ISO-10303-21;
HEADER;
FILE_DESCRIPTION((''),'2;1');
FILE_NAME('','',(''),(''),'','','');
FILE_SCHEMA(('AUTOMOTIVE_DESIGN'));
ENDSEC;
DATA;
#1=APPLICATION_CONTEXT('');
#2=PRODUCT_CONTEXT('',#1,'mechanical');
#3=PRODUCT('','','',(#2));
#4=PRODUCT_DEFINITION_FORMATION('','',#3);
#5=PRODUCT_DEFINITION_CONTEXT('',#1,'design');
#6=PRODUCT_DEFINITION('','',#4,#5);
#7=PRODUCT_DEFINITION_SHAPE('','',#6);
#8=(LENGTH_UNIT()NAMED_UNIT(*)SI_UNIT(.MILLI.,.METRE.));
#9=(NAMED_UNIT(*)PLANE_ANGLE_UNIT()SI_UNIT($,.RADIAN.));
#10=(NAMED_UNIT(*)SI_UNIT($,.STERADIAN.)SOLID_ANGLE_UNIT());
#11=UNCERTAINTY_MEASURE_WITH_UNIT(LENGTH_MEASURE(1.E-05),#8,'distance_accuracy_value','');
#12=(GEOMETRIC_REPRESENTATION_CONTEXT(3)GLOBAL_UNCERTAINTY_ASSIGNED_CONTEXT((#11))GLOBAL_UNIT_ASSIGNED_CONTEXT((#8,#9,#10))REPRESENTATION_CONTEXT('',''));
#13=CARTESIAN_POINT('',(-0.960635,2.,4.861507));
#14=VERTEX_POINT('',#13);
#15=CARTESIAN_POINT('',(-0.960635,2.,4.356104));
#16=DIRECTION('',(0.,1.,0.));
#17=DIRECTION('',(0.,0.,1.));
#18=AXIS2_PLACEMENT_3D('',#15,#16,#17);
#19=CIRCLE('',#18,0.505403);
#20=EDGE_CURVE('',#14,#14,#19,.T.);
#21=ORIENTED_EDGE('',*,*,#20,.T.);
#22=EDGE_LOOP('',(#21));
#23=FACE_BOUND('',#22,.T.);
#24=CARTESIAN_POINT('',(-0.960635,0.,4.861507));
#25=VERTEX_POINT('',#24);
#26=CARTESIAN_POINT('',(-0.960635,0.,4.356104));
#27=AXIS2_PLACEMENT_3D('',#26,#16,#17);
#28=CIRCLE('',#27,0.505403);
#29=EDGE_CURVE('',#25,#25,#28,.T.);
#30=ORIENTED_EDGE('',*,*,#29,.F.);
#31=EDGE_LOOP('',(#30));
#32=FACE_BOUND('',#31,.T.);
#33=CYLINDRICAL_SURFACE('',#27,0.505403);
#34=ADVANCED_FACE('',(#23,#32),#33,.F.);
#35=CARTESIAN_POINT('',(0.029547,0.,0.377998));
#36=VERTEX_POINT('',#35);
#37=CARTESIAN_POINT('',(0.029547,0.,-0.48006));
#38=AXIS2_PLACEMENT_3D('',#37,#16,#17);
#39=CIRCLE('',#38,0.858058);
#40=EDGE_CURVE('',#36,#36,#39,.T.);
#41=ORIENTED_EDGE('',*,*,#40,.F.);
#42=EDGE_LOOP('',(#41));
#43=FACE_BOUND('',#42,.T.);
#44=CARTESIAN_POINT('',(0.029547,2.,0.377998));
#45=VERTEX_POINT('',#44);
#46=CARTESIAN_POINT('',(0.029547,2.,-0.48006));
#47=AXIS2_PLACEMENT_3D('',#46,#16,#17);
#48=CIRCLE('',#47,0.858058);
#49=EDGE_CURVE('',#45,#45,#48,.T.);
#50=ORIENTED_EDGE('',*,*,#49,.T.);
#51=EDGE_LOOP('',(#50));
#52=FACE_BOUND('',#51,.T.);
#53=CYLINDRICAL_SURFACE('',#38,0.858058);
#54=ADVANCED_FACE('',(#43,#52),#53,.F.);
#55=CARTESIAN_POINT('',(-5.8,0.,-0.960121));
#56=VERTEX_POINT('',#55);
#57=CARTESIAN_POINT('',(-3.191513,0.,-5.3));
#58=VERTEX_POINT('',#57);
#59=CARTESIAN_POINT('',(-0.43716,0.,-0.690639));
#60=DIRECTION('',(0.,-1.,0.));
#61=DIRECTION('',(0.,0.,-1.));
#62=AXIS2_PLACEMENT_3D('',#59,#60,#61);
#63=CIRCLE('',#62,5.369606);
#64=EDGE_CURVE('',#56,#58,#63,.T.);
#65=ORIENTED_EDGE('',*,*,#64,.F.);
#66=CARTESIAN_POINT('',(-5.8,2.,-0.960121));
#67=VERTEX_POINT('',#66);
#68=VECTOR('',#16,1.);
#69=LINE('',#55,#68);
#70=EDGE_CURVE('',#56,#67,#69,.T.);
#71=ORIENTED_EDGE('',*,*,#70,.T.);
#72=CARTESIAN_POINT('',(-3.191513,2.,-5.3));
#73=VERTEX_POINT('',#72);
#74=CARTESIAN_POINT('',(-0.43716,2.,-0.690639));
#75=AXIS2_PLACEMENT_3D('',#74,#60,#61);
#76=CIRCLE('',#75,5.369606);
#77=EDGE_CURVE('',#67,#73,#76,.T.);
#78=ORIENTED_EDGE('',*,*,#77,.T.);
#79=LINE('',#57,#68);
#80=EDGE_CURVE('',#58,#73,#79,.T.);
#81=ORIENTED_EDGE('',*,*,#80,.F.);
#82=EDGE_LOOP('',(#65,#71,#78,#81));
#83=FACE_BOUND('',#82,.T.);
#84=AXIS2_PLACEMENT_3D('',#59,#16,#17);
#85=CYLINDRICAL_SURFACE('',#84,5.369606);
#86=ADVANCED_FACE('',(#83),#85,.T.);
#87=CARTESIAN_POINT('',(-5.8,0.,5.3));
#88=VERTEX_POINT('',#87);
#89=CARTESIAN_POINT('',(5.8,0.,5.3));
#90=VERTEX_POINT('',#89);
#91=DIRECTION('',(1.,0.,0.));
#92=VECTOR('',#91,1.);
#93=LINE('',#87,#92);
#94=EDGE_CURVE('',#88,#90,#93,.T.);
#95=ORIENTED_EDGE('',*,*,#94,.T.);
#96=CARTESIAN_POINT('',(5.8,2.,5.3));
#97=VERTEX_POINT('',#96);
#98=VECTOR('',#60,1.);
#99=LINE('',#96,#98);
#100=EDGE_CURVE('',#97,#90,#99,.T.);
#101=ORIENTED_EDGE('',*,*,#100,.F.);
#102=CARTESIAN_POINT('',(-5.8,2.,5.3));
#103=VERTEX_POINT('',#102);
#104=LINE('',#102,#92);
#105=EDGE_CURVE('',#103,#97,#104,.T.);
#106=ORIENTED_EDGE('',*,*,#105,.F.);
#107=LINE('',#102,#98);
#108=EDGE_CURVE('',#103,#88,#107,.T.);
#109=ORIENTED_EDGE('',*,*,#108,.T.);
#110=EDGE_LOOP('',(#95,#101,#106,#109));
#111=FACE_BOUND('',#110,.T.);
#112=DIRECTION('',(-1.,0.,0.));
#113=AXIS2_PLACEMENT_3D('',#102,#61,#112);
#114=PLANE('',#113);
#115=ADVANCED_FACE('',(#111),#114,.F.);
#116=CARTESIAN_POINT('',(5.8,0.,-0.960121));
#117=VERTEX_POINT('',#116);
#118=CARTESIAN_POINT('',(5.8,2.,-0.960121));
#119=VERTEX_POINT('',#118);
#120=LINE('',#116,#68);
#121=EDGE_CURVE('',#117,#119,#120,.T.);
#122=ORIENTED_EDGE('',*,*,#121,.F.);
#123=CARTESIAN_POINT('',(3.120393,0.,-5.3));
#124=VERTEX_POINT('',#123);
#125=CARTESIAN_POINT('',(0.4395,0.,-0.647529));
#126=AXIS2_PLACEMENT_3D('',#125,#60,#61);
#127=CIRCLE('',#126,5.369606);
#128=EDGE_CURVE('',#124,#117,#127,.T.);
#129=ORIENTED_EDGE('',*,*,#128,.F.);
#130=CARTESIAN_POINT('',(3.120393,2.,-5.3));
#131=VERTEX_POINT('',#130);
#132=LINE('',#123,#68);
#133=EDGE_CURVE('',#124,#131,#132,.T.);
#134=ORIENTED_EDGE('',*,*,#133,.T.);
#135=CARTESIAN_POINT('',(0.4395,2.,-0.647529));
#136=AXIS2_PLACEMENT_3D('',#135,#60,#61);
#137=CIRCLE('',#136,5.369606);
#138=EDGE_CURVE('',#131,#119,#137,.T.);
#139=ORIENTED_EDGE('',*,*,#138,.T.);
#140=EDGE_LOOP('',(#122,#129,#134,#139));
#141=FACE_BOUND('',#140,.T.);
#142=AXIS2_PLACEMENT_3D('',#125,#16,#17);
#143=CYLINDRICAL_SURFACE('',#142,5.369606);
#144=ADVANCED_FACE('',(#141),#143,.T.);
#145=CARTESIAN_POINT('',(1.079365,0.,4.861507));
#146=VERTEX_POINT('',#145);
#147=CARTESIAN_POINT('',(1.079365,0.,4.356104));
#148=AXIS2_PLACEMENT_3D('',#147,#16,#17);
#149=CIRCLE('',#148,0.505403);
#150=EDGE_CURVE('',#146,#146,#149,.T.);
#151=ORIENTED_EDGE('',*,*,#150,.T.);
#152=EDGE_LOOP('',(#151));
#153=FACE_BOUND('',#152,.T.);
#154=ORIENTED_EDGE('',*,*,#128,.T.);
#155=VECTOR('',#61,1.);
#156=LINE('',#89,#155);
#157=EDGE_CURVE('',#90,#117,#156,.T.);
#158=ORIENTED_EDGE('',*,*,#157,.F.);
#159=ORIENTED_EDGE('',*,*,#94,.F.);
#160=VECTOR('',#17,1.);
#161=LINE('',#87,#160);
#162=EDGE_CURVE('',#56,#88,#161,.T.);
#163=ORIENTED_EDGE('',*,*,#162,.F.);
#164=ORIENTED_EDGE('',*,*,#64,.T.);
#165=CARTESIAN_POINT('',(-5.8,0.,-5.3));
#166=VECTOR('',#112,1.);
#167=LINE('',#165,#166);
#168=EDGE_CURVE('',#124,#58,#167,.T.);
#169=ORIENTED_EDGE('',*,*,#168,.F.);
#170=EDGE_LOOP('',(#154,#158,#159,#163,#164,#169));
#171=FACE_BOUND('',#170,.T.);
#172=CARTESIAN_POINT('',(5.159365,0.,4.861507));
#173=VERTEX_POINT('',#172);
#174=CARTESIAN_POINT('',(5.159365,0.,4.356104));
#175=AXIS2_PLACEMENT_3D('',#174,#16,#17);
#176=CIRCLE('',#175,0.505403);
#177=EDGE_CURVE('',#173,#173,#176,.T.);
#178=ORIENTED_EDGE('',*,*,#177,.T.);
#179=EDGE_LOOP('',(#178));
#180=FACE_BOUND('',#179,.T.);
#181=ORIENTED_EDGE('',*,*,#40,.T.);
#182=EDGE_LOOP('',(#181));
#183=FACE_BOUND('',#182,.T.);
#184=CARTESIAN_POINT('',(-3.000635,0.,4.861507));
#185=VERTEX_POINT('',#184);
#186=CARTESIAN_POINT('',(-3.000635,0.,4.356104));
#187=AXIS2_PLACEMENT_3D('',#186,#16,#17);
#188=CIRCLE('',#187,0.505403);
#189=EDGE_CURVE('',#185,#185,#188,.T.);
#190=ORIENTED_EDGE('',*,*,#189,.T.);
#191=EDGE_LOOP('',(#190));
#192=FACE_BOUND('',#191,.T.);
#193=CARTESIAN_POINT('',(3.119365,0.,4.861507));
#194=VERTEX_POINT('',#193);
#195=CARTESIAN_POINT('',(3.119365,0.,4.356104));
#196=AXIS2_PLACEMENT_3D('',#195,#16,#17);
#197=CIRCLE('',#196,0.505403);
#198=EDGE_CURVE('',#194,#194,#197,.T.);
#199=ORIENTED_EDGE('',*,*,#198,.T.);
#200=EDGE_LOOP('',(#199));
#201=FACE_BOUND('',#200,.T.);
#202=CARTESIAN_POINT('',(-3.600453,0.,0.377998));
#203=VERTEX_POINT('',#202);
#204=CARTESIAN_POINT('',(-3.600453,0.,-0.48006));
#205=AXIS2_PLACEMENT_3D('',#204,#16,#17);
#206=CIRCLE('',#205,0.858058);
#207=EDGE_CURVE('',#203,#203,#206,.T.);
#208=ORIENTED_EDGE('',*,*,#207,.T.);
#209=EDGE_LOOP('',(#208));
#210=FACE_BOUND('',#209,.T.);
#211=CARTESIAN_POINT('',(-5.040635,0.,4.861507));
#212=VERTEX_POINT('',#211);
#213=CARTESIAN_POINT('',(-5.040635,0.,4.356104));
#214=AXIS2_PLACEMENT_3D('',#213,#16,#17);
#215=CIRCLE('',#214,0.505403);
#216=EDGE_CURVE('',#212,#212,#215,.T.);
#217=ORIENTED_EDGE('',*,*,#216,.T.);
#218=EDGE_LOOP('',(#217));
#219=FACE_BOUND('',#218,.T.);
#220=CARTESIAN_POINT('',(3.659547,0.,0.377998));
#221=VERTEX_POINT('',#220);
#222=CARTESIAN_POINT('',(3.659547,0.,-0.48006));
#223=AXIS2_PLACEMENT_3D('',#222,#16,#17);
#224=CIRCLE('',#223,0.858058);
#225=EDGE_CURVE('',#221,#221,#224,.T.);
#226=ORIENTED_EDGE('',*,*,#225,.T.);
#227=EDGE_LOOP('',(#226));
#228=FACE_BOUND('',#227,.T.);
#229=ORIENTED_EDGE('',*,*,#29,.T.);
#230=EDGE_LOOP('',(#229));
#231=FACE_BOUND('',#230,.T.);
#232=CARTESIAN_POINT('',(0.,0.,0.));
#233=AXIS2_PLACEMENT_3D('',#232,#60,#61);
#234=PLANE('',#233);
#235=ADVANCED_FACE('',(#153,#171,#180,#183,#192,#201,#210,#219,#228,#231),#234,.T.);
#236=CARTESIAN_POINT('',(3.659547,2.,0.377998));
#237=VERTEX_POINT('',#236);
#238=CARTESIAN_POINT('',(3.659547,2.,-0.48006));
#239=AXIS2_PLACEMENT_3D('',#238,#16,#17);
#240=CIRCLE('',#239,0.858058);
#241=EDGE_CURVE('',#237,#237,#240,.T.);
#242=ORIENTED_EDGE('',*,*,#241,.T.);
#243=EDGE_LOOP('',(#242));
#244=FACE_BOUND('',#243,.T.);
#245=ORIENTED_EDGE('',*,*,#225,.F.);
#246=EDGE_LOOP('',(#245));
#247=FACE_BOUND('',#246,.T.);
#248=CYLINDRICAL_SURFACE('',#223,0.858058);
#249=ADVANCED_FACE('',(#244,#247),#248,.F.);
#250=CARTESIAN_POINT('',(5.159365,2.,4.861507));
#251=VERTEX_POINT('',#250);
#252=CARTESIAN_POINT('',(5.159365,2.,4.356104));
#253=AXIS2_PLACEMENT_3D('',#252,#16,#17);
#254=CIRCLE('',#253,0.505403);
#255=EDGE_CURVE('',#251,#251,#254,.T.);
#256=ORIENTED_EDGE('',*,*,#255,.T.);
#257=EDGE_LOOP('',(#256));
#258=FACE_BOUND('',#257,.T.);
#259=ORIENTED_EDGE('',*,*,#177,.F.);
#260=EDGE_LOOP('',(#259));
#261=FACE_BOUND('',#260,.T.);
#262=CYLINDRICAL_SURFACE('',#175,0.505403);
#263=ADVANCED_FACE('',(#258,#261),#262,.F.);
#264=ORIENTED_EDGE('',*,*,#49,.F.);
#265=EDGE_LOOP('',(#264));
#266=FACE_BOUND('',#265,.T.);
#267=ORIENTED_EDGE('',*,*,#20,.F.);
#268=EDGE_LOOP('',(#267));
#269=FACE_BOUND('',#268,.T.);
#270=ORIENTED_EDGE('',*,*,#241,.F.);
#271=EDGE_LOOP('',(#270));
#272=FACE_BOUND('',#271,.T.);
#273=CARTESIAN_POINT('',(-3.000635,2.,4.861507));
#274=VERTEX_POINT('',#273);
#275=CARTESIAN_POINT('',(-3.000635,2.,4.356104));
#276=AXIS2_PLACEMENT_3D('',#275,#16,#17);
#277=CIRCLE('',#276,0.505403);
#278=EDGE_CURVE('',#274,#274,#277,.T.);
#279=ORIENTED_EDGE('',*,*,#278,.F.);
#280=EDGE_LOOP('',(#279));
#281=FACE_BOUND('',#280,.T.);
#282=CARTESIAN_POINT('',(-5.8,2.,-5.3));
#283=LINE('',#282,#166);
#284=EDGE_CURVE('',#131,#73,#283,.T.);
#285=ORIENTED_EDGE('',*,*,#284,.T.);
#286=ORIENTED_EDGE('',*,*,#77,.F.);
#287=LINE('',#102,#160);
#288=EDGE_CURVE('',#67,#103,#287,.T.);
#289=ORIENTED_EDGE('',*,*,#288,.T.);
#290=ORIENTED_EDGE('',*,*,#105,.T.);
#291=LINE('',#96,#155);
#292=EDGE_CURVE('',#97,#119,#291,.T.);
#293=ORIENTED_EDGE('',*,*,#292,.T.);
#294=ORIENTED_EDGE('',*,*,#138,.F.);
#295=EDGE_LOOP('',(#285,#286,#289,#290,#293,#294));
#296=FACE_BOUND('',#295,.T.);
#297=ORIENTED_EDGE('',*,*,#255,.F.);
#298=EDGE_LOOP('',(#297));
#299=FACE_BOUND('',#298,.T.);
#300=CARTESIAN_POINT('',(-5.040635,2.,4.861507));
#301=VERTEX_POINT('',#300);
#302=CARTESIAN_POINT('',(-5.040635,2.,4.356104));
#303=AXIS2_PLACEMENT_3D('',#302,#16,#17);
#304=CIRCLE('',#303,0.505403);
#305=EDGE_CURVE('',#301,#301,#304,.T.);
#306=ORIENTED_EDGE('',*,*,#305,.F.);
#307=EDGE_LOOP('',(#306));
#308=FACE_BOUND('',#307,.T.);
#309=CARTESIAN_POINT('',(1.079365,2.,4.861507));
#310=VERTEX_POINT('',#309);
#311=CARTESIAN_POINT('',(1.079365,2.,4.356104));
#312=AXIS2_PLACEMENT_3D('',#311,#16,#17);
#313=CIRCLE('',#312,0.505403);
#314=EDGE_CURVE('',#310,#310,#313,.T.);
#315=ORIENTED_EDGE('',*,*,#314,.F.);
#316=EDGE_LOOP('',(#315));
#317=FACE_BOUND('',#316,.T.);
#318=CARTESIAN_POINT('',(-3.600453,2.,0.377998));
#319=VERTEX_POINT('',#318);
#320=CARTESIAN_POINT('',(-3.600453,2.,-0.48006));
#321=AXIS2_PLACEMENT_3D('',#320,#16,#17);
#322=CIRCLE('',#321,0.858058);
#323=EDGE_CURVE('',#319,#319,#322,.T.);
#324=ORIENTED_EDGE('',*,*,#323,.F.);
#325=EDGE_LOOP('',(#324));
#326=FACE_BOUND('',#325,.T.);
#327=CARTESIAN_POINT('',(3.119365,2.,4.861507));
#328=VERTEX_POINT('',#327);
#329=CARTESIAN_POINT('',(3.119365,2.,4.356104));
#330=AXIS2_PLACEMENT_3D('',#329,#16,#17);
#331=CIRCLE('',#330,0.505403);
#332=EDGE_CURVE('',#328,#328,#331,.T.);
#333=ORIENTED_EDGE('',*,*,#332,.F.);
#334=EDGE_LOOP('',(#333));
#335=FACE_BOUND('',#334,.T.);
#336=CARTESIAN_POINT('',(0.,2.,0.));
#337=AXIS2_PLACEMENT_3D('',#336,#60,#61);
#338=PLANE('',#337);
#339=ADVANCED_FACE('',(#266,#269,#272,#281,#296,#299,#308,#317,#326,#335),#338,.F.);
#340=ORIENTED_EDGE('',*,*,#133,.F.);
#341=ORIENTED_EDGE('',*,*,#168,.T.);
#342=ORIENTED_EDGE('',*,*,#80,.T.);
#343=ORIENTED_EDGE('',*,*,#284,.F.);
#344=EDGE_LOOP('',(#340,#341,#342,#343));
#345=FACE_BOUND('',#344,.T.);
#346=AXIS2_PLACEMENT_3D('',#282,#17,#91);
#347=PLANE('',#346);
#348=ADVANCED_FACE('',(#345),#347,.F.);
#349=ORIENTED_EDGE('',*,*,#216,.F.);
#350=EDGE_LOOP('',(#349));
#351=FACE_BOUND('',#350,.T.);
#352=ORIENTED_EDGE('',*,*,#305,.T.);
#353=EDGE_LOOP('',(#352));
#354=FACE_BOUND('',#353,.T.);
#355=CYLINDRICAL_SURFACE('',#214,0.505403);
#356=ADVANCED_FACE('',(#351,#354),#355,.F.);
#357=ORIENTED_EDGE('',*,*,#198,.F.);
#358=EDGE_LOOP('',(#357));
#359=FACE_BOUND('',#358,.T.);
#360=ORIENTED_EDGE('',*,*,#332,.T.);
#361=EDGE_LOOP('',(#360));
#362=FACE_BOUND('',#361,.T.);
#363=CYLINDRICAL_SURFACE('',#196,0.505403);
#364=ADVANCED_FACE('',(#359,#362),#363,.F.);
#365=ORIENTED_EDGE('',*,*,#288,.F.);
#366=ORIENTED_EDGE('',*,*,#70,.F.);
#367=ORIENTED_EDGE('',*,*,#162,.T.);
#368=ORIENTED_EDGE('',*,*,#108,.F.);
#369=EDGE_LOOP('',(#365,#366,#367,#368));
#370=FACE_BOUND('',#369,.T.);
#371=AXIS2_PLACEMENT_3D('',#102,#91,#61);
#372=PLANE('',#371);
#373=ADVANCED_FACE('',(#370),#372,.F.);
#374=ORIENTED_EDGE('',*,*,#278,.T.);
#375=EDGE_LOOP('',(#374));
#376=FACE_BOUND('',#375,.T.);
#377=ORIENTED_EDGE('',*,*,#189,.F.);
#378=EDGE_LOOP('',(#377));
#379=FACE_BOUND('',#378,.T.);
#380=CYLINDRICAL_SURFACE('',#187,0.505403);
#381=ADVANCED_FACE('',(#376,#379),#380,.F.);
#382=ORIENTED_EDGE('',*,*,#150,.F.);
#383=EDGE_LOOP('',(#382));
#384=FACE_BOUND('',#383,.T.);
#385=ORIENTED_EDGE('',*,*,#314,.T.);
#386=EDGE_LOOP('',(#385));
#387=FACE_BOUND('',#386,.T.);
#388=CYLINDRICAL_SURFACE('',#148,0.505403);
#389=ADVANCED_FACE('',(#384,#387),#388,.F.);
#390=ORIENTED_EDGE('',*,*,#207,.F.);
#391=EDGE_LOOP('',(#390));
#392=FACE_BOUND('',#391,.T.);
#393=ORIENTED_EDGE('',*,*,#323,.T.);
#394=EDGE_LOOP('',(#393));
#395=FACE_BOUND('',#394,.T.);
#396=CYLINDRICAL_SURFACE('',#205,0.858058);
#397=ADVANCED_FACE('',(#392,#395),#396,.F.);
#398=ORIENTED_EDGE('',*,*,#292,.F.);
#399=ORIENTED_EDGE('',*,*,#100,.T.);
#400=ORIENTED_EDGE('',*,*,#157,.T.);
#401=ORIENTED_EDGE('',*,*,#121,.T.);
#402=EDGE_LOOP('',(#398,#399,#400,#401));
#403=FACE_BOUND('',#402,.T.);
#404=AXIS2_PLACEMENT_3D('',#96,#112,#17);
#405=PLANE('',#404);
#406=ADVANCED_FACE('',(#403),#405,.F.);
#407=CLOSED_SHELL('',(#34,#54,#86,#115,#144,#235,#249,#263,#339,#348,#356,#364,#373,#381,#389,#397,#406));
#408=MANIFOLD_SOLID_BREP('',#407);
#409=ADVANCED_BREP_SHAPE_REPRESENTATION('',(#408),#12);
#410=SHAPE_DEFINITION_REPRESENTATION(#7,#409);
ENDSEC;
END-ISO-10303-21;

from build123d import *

# Parameters (mm, degrees)
SKETCH1_W           = 11.6
SKETCH1_H           = 10.6
BOSS_EXTRUDE1_DEPTH = 2
SKETCH2_R           = 0.85805849
SKETCH2_R_2         = 0.505403016
CUT_EXTRUDE1_DEPTH  = 9.107404023


with BuildPart() as part:
    # Sketch1 → Boss-Extrude1 (new body)
    with BuildSketch(Plane(origin=(0, 0, 0), x_dir=(1, 0, 0), z_dir=(0, 1, 0))):
        Rectangle(SKETCH1_W, SKETCH1_H)
    extrude(amount=BOSS_EXTRUDE1_DEPTH)

    # Sketch2 → Cut-Extrude1 (cut, through all)
    with BuildSketch(Plane(origin=(0, 2, 0), x_dir=(1, 0, 0), z_dir=(0, 1, 0))):
        with Locations(Location((-3.600453249, 0.480060433, 0), (0, 0, 270))):
            Circle(SKETCH2_R)
        with Locations(Location((0.029546751, 0.480060433, 0), (0, 0, 270))):
            Circle(SKETCH2_R)
        with Locations(Location((3.659546751, 0.480060433, 0), (0, 0, 270))):
            Circle(SKETCH2_R)
        with Locations(Location((-5.040634548, -4.35610393, 0), (0, 0, 270))):
            Circle(SKETCH2_R_2)
        with Locations(Location((-3.000634548, -4.35610393, 0), (0, 0, 270))):
            Circle(SKETCH2_R_2)
        with Locations(Location((-0.960634548, -4.35610393, 0), (0, 0, 270))):
            Circle(SKETCH2_R_2)
        with Locations(Location((1.079365452, -4.35610393, 0), (0, 0, 270))):
            Circle(SKETCH2_R_2)
        with Locations(Location((3.119365452, -4.35610393, 0), (0, 0, 270))):
            Circle(SKETCH2_R_2)
        with Locations(Location((5.159365452, -4.35610393, 0), (0, 0, 270))):
            Circle(SKETCH2_R_2)
        with BuildLine():
            Line((-5.8, 0.960120866), (-5.8, 5.3))
            Line((-5.8, 5.3), (-3.19151288, 5.3))
            ThreePointArc((-3.19151288, 5.3), (-5.039424989, 3.456832761), (-5.8, 0.960120866))
        make_face()
        with BuildLine():
            Line((3.120392815, 5.3), (5.8, 5.3))
            Line((5.8, 5.3), (5.8, 0.960120866))
            ThreePointArc((5.8, 0.960120866), (5.008377062, 3.468528113), (3.120392815, 5.3))
        make_face()
    extrude(amount=-CUT_EXTRUDE1_DEPTH, mode=Mode.SUBTRACT)


solid = part.part
